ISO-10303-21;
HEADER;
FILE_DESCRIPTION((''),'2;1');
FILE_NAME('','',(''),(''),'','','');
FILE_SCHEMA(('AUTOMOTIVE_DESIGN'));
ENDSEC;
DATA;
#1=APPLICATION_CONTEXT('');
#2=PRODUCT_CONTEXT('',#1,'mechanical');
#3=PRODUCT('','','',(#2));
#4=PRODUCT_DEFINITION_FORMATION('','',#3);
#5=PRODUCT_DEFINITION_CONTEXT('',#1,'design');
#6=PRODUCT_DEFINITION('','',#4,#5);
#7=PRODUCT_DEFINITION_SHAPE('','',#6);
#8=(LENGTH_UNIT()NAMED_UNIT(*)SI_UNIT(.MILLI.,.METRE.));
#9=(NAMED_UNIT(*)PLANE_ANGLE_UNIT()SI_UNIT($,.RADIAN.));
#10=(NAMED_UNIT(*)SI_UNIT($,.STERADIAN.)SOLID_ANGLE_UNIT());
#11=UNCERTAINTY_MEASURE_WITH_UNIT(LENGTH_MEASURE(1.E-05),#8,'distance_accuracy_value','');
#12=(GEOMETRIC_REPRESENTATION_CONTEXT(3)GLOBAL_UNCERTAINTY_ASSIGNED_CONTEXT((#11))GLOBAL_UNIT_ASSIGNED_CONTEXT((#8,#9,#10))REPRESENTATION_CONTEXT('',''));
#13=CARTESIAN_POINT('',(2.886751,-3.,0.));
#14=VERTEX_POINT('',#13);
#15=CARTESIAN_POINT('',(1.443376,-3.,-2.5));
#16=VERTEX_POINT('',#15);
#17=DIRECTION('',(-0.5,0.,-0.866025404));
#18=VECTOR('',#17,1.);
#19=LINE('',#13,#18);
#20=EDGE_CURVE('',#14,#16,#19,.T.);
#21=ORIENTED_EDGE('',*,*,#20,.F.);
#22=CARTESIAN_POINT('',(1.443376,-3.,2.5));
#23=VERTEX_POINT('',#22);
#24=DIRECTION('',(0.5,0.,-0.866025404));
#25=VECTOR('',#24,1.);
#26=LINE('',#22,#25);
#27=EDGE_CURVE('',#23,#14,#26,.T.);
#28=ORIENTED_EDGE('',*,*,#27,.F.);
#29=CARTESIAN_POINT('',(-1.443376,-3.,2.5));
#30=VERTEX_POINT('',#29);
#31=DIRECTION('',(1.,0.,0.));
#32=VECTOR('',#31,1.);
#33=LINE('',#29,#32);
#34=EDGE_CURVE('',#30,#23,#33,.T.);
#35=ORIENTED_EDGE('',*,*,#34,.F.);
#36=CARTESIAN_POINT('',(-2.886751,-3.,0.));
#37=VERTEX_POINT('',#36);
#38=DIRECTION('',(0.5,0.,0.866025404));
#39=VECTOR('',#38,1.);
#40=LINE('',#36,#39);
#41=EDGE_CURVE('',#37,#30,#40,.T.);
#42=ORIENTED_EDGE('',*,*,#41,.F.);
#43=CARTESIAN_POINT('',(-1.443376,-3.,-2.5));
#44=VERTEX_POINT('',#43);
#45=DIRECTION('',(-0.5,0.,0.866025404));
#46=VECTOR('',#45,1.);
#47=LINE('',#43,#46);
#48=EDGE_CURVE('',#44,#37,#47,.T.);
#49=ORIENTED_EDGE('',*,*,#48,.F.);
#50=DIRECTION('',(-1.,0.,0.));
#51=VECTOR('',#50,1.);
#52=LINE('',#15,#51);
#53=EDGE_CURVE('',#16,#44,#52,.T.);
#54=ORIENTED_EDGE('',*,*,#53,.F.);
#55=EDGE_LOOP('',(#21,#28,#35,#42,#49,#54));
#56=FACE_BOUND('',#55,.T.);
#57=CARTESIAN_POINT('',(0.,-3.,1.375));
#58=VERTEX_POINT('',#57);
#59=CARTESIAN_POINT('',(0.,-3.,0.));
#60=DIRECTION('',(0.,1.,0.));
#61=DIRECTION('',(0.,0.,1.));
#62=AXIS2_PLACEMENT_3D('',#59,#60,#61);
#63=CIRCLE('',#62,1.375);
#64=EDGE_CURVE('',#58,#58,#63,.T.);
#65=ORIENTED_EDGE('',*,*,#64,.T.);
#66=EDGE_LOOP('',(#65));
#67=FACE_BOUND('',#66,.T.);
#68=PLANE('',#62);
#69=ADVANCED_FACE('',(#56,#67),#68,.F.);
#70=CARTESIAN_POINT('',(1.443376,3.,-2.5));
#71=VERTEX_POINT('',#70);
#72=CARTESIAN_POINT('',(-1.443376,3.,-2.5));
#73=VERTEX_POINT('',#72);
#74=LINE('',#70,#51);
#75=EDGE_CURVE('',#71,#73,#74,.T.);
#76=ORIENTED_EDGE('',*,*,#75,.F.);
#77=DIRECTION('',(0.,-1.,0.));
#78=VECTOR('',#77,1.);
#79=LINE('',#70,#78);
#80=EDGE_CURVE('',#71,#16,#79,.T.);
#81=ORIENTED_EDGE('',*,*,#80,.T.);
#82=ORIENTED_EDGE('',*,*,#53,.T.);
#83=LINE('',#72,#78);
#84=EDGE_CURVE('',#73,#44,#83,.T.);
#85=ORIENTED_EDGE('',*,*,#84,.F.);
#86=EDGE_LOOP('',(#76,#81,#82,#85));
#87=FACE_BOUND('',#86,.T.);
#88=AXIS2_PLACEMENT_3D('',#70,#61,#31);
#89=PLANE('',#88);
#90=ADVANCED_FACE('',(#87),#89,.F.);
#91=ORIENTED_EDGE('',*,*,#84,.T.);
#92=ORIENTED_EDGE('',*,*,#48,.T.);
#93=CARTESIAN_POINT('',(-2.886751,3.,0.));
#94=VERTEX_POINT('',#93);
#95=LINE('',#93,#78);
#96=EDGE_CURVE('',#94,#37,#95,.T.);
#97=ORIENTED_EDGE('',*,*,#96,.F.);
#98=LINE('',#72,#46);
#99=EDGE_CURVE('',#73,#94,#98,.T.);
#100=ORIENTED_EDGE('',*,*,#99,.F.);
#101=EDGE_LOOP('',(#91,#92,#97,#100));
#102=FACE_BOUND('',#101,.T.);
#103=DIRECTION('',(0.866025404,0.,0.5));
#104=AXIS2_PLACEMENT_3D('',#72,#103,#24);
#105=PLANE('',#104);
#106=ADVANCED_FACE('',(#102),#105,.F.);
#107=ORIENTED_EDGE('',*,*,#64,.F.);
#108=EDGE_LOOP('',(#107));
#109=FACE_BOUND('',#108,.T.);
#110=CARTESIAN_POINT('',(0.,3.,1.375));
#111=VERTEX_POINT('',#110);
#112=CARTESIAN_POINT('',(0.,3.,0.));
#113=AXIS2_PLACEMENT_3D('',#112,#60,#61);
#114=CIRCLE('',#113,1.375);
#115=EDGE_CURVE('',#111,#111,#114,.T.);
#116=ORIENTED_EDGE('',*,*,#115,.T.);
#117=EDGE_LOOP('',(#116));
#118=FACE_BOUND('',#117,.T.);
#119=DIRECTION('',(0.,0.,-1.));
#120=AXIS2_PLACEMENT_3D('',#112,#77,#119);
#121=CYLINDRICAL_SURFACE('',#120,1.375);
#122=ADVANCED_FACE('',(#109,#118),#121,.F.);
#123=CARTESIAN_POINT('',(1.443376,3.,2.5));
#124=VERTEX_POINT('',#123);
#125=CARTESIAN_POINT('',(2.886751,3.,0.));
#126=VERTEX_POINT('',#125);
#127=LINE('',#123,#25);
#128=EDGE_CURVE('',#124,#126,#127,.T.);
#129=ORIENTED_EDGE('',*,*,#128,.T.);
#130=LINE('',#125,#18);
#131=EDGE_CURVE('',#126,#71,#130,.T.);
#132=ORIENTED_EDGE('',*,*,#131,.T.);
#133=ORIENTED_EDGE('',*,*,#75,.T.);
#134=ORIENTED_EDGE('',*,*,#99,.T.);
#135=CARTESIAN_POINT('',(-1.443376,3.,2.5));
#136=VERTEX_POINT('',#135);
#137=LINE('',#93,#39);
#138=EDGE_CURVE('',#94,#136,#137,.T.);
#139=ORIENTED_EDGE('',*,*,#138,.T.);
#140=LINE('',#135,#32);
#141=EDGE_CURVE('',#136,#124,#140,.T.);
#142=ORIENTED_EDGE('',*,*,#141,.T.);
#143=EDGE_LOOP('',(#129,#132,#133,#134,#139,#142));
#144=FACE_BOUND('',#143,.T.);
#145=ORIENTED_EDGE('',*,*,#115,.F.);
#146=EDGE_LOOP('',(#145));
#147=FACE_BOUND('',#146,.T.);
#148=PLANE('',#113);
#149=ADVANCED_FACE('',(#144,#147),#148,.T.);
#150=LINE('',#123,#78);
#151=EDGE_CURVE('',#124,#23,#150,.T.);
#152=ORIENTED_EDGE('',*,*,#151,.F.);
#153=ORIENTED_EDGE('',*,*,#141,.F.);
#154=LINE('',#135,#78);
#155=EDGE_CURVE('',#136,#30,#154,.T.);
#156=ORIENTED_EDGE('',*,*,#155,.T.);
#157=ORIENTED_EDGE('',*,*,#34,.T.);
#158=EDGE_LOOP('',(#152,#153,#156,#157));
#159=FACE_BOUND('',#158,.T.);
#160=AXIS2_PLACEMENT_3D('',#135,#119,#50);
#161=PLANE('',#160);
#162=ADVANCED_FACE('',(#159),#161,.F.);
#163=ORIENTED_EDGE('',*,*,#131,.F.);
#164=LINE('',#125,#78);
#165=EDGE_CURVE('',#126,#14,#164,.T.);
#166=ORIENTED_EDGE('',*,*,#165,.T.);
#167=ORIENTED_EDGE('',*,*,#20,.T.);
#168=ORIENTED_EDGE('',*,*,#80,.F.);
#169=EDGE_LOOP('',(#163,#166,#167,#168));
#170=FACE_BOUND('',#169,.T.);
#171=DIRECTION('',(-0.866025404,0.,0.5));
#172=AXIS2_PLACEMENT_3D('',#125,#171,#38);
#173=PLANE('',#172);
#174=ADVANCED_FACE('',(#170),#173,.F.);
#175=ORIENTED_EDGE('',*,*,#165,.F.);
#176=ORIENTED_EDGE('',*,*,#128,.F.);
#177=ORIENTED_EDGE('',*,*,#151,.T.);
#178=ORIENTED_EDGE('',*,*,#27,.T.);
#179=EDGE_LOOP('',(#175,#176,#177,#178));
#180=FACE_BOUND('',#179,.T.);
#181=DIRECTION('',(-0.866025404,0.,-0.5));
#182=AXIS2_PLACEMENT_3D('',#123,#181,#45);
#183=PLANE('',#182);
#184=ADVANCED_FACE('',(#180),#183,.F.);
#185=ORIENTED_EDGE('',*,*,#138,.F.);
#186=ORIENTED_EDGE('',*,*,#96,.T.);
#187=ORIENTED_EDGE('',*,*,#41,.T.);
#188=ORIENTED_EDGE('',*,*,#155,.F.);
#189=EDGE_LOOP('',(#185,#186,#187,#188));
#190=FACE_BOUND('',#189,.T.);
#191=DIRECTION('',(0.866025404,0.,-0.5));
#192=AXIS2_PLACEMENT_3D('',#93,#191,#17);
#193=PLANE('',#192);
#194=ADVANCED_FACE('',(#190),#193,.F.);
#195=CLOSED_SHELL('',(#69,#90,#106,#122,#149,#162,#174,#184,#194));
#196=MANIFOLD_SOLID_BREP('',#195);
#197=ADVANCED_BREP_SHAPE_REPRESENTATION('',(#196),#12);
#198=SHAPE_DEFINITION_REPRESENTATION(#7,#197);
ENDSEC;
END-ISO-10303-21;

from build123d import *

# Parameters (mm, degrees)
SKETCH1_R           = 1.375
BOSS_EXTRUDE1_DEPTH = 3


with BuildPart() as part:
    # Sketch1 → Boss-Extrude1 (new, symmetric)
    with BuildSketch(Plane(origin=(0, 0, 0), x_dir=(1, 0, 0), z_dir=(0, 1, 0))):
        Polygon((2.886751346, 0), (1.443375673, 2.5), (-1.443375673, 2.5), (-2.886751346, 0), (-1.443375673, -2.5), (1.443375673, -2.5), align=None)
        with Locations(Location((0, 0, 0), (0, 0, 270))):
            Circle(SKETCH1_R, mode=Mode.SUBTRACT)
    extrude(amount=BOSS_EXTRUDE1_DEPTH, both=True)


solid = part.part
